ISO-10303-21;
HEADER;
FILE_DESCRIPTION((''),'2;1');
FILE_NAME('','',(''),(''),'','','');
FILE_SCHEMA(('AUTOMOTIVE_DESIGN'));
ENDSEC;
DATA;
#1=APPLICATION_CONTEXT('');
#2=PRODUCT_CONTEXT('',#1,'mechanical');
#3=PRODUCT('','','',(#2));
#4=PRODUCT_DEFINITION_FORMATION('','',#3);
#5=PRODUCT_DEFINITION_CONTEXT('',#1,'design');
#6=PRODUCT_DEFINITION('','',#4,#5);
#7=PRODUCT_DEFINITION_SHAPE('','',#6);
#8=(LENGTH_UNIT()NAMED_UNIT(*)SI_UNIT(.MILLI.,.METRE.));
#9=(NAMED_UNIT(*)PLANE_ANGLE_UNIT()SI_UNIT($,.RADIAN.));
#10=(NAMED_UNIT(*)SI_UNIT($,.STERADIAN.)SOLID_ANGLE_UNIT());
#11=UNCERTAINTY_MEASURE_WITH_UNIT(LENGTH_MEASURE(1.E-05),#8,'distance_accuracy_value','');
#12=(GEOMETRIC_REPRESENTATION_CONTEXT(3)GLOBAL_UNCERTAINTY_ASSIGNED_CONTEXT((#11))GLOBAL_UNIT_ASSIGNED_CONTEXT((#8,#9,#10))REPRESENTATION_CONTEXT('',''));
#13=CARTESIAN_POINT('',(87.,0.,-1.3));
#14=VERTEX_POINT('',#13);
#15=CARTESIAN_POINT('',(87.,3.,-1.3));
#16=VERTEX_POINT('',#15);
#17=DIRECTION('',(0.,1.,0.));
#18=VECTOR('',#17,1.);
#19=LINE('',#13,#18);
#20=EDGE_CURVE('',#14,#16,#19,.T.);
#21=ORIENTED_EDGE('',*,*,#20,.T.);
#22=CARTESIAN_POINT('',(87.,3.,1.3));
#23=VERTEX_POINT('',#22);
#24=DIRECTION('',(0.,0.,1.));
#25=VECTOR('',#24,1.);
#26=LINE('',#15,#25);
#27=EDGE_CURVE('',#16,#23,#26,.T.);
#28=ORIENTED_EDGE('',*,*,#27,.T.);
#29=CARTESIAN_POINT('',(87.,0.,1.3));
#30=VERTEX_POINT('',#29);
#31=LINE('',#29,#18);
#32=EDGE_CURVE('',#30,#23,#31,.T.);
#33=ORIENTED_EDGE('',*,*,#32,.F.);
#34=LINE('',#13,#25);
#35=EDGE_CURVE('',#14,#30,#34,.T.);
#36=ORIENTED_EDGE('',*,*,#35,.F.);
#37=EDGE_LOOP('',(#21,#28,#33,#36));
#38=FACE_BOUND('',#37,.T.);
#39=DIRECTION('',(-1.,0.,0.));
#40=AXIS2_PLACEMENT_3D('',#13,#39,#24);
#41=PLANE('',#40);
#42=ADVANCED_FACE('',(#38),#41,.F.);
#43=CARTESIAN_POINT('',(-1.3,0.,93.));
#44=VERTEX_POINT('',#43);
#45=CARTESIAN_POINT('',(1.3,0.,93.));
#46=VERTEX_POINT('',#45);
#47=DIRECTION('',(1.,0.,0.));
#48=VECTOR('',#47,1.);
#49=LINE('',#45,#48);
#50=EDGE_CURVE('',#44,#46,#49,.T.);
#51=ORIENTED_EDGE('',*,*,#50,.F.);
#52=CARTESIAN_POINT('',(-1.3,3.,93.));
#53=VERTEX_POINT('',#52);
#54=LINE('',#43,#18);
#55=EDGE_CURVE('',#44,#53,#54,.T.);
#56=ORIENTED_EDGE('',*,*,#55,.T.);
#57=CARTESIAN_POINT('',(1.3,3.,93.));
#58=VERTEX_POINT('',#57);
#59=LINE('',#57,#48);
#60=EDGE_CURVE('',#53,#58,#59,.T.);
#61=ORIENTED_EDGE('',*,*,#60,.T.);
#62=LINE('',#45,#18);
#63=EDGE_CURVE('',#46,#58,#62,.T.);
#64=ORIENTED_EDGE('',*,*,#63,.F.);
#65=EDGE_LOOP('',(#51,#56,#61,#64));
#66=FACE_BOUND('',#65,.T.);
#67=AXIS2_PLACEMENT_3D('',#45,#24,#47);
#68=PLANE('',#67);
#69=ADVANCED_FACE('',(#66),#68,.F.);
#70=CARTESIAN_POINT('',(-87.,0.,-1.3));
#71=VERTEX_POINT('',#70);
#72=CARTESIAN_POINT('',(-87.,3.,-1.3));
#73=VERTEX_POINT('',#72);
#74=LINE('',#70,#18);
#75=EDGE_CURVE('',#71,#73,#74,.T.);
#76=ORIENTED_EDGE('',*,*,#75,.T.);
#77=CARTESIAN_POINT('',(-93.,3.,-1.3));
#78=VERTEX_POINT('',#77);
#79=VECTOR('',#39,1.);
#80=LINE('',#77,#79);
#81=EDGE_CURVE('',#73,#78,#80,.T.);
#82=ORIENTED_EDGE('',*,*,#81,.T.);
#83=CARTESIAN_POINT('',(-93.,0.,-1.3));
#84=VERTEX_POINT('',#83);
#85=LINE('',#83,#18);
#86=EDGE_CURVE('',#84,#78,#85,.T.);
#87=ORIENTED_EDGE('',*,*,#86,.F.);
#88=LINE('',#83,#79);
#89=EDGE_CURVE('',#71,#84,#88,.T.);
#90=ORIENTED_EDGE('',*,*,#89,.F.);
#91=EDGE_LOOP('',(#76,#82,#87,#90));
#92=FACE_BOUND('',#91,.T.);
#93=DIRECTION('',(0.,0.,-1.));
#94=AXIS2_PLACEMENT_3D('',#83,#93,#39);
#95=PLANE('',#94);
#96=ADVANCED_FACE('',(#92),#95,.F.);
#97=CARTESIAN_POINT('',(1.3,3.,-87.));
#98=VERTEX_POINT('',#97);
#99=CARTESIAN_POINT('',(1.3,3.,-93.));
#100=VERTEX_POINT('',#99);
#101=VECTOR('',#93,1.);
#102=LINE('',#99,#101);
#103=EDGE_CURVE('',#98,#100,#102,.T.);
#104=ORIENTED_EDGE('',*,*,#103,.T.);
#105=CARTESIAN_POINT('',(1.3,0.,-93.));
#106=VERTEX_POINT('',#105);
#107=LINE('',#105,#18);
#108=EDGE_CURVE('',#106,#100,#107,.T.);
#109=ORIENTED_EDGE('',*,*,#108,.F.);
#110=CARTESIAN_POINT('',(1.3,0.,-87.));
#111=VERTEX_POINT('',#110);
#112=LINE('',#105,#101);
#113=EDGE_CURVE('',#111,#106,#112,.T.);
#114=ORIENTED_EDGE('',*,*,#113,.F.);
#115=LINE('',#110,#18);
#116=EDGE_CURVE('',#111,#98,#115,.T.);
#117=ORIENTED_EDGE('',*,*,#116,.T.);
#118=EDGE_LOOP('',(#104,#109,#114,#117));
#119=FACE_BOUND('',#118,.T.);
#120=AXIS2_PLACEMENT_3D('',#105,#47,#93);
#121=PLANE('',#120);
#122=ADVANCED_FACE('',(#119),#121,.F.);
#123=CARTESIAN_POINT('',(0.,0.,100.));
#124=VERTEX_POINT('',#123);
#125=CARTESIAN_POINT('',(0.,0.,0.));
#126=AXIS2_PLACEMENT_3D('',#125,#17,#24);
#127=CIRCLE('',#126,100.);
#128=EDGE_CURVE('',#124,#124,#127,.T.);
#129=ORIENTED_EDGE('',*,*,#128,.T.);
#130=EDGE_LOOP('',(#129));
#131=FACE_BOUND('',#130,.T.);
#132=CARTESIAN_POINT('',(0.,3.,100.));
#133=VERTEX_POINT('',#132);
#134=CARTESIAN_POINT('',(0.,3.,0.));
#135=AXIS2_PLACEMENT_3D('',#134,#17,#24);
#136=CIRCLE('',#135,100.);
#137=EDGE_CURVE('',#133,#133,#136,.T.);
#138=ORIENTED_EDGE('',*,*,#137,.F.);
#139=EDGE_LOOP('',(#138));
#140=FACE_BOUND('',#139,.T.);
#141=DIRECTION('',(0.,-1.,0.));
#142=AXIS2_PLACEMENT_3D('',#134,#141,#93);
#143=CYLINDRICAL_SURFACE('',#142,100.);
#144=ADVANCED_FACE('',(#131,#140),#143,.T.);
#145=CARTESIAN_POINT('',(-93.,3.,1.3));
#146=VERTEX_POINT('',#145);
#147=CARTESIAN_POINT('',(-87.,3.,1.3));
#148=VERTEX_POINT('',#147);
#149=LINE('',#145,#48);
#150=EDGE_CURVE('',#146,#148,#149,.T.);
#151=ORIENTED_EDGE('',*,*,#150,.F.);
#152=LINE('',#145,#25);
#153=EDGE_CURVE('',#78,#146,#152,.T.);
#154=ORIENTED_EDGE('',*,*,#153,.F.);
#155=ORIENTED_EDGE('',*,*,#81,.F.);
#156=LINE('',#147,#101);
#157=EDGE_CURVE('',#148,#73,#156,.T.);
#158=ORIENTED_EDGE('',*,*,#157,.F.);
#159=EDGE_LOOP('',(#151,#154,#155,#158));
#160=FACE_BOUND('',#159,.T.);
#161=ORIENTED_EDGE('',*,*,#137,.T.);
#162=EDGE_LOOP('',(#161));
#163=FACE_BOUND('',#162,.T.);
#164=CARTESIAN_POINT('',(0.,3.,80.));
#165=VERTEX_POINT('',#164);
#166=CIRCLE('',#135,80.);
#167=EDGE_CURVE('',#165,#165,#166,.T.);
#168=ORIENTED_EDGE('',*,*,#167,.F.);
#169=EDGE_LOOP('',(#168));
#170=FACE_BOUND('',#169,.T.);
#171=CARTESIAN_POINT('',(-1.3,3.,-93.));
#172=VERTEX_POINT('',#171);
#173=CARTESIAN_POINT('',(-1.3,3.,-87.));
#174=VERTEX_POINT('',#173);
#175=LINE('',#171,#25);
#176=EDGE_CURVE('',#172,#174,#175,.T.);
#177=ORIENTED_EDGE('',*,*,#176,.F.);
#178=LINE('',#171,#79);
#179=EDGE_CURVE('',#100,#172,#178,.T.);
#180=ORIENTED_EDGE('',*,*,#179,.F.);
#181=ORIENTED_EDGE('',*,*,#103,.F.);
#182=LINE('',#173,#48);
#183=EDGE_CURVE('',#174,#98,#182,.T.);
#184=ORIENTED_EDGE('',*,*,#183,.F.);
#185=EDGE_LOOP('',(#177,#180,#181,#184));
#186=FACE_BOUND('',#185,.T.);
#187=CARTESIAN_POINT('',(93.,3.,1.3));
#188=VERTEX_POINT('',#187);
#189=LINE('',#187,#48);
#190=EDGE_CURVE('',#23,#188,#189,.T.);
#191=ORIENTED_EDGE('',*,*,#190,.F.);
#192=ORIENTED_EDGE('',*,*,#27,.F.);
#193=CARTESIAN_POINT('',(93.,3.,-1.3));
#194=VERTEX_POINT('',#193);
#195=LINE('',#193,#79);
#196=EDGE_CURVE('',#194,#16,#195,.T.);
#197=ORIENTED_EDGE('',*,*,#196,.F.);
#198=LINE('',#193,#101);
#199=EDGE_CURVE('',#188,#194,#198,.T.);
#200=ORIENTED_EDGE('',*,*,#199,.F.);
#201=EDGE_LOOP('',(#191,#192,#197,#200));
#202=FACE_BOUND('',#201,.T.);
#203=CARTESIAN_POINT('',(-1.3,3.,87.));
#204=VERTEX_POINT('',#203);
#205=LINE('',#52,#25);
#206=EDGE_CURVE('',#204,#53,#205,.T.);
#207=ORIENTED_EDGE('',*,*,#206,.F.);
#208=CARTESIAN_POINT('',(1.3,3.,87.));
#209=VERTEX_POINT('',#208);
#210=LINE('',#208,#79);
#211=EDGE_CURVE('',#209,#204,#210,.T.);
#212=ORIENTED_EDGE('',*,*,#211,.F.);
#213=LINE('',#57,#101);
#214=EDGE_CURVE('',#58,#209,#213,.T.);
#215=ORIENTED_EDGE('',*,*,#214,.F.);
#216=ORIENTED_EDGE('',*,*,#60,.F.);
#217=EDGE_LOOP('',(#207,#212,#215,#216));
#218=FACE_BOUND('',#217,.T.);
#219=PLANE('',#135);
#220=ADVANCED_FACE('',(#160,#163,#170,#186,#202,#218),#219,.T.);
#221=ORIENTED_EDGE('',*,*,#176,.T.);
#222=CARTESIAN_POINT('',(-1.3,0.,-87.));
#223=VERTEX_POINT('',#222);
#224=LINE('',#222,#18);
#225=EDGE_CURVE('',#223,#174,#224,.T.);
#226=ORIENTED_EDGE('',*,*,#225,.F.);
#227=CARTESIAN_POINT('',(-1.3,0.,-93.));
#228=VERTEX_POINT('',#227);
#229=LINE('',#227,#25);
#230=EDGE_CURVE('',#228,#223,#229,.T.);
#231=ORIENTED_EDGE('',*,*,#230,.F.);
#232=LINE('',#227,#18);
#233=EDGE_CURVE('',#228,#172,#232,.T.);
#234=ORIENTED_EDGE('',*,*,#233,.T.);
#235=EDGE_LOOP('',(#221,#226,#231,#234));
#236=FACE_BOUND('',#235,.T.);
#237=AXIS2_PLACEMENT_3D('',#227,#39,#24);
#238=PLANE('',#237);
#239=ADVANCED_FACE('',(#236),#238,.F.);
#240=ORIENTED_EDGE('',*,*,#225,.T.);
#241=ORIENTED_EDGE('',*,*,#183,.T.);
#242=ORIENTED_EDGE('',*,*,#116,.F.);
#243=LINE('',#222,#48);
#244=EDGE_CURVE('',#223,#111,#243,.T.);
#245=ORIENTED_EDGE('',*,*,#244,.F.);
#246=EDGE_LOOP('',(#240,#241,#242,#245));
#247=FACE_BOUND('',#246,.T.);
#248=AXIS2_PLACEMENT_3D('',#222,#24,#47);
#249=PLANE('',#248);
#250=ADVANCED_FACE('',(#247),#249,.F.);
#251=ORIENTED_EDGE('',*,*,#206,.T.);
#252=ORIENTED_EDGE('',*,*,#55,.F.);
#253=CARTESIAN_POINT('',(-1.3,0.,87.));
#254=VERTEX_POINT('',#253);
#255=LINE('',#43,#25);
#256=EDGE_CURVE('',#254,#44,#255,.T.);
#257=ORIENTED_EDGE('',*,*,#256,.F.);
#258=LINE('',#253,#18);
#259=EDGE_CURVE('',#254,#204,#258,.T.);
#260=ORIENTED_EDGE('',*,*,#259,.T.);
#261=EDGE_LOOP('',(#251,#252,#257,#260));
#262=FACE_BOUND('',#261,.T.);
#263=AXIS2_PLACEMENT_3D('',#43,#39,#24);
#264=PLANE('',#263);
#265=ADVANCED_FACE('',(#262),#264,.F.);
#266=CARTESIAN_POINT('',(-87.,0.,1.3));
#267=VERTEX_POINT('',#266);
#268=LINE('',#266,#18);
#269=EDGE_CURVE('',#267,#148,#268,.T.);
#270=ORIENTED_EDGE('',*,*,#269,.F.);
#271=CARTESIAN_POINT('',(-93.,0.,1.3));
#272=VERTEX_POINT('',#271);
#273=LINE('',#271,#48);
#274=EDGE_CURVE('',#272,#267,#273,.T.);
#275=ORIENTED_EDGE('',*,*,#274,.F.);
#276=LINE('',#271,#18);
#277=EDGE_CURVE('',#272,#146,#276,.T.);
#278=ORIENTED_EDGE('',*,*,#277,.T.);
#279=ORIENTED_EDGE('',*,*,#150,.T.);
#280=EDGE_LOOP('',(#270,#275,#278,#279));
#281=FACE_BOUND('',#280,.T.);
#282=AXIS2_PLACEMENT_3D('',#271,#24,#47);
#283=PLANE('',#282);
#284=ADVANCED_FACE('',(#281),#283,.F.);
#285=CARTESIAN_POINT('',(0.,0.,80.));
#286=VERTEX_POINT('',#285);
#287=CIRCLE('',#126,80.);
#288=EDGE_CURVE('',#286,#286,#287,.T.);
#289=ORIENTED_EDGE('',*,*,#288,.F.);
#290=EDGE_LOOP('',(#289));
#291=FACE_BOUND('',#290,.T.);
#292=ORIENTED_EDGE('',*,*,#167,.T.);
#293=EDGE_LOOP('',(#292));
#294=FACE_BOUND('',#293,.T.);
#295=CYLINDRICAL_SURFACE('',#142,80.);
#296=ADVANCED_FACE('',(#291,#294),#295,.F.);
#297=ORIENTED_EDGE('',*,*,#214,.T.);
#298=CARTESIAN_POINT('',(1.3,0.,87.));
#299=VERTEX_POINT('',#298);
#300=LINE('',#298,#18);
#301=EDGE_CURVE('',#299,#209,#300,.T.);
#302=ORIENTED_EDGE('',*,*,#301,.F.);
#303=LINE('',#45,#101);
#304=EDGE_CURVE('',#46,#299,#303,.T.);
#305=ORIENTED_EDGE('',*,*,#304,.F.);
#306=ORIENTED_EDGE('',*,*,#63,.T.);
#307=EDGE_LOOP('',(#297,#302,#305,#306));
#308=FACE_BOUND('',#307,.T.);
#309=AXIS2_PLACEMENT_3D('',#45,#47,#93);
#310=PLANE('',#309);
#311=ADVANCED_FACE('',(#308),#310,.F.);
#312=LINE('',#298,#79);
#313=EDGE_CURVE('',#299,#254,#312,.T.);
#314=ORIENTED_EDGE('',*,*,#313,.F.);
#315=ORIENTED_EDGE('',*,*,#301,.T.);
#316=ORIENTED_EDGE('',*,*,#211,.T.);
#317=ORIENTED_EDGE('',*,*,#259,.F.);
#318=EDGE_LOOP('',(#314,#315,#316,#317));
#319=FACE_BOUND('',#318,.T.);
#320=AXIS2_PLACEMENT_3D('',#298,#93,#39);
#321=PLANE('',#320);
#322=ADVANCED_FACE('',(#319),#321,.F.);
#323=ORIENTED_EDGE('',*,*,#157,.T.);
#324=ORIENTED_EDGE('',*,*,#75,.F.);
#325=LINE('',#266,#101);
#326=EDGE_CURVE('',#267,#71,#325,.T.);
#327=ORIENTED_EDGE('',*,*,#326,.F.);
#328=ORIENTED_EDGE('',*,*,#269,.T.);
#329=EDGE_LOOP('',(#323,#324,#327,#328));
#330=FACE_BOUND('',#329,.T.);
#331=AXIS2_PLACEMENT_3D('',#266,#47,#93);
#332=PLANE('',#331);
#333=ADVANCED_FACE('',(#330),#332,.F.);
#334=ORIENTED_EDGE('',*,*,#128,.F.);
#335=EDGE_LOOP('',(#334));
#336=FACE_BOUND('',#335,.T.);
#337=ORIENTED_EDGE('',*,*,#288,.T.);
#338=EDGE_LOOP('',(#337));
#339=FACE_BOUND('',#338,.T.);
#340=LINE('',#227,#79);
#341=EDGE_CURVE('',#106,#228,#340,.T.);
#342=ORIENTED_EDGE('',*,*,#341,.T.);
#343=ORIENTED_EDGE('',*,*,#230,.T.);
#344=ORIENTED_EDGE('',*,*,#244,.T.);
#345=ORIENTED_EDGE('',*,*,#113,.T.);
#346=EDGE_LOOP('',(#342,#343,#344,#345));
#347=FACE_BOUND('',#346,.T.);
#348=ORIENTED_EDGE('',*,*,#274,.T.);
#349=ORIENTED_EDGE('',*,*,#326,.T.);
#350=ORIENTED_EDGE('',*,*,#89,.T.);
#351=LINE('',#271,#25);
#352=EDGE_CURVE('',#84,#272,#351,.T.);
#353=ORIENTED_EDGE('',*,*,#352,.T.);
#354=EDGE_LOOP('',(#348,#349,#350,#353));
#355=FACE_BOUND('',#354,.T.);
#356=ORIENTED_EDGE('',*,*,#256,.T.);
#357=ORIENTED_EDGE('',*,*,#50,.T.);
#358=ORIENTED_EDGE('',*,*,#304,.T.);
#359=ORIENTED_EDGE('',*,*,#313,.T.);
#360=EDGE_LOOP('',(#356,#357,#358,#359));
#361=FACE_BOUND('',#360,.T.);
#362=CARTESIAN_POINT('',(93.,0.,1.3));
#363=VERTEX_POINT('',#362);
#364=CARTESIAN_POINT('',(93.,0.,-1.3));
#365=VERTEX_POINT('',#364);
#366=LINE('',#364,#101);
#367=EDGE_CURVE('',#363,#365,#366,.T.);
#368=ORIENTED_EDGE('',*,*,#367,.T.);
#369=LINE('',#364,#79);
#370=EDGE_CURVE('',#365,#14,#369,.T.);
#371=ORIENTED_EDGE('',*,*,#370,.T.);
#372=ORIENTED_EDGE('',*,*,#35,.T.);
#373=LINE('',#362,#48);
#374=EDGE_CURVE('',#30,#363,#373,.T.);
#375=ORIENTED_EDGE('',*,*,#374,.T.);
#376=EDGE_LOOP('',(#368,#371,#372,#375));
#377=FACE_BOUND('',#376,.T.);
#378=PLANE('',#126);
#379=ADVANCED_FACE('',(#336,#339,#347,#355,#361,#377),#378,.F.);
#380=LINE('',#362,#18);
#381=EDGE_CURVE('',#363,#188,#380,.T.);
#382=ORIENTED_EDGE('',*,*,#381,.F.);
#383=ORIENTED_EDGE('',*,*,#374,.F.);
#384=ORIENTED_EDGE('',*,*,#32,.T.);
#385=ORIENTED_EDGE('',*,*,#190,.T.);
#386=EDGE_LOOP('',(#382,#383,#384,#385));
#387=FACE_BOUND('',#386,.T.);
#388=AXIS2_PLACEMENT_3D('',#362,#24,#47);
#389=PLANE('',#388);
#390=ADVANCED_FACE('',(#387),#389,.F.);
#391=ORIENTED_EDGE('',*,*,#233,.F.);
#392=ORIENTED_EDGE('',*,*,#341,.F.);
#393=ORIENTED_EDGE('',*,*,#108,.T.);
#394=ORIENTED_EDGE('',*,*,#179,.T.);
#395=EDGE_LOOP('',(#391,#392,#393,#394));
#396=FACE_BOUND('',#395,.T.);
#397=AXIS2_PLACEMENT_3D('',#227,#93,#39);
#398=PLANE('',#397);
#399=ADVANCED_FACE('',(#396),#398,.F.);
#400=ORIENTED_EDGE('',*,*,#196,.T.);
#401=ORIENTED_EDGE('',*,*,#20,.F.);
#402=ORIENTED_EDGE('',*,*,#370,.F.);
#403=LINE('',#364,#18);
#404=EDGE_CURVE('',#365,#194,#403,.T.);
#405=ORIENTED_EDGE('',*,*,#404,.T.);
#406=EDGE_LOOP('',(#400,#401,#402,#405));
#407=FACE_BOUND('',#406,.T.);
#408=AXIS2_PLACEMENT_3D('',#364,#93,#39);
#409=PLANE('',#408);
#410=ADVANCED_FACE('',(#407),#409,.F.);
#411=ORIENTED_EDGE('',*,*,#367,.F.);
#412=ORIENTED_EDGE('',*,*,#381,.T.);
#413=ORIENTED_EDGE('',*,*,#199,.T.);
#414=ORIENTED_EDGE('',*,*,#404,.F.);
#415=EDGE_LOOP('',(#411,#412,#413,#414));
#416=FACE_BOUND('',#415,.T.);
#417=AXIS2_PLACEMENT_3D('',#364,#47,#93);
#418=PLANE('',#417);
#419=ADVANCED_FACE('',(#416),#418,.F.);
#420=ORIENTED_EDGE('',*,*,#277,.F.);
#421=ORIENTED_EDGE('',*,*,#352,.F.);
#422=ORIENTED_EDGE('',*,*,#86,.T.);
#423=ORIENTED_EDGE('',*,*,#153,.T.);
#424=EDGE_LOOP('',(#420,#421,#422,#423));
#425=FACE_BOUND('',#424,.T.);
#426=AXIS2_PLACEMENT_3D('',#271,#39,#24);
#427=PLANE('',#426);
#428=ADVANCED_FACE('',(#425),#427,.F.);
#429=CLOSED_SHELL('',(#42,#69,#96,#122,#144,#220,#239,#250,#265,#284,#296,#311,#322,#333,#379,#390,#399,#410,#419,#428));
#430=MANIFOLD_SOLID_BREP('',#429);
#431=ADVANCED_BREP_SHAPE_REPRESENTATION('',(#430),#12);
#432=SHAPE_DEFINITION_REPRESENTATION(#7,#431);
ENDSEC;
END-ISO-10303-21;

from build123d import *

# Parameters (mm, degrees)
SKETCH2_R           = 100
SKETCH2_R_2         = 80
BOSS_EXTRUDE1_DEPTH = 3
SKETCH3_W           = 2.6
SKETCH3_H           = 6
CUT_EXTRUDE1_DEPTH  = 142.453172464
CIRPATTERN1_COUNT   = 4


with BuildPart() as part:
    # Sketch2 → Boss-Extrude1 (new body)
    with BuildSketch(Plane(origin=(0, 0, 0), x_dir=(1, 0, 0), z_dir=(0, 1, 0))):
        with Locations(Location((0, 0, 0), (0, 0, 270))):
            Circle(SKETCH2_R)
        with Locations(Location((0, 0, 0), (0, 0, 270))):
            Circle(SKETCH2_R_2, mode=Mode.SUBTRACT)
    extrude(amount=BOSS_EXTRUDE1_DEPTH)

    # Sketch3 → Cut-Extrude1 (cut, through all)
    with BuildSketch(Plane(origin=(0, 3, 0), x_dir=(1, 0, 0), z_dir=(0, 1, 0))):
        with Locations((0, -90)):
            Rectangle(SKETCH3_W, SKETCH3_H)
    cut_extrude1 = extrude(amount=-CUT_EXTRUDE1_DEPTH, mode=Mode.SUBTRACT)

    # CirPattern1: Cut-Extrude1 ×4 about axis
    cirpattern1_axis = Axis((0, 0, 0), (0, 1, 0))
    for i in range(1, CIRPATTERN1_COUNT):
        add(cut_extrude1.rotate(cirpattern1_axis, i * 360 / CIRPATTERN1_COUNT), mode=Mode.SUBTRACT)


solid = part.part
